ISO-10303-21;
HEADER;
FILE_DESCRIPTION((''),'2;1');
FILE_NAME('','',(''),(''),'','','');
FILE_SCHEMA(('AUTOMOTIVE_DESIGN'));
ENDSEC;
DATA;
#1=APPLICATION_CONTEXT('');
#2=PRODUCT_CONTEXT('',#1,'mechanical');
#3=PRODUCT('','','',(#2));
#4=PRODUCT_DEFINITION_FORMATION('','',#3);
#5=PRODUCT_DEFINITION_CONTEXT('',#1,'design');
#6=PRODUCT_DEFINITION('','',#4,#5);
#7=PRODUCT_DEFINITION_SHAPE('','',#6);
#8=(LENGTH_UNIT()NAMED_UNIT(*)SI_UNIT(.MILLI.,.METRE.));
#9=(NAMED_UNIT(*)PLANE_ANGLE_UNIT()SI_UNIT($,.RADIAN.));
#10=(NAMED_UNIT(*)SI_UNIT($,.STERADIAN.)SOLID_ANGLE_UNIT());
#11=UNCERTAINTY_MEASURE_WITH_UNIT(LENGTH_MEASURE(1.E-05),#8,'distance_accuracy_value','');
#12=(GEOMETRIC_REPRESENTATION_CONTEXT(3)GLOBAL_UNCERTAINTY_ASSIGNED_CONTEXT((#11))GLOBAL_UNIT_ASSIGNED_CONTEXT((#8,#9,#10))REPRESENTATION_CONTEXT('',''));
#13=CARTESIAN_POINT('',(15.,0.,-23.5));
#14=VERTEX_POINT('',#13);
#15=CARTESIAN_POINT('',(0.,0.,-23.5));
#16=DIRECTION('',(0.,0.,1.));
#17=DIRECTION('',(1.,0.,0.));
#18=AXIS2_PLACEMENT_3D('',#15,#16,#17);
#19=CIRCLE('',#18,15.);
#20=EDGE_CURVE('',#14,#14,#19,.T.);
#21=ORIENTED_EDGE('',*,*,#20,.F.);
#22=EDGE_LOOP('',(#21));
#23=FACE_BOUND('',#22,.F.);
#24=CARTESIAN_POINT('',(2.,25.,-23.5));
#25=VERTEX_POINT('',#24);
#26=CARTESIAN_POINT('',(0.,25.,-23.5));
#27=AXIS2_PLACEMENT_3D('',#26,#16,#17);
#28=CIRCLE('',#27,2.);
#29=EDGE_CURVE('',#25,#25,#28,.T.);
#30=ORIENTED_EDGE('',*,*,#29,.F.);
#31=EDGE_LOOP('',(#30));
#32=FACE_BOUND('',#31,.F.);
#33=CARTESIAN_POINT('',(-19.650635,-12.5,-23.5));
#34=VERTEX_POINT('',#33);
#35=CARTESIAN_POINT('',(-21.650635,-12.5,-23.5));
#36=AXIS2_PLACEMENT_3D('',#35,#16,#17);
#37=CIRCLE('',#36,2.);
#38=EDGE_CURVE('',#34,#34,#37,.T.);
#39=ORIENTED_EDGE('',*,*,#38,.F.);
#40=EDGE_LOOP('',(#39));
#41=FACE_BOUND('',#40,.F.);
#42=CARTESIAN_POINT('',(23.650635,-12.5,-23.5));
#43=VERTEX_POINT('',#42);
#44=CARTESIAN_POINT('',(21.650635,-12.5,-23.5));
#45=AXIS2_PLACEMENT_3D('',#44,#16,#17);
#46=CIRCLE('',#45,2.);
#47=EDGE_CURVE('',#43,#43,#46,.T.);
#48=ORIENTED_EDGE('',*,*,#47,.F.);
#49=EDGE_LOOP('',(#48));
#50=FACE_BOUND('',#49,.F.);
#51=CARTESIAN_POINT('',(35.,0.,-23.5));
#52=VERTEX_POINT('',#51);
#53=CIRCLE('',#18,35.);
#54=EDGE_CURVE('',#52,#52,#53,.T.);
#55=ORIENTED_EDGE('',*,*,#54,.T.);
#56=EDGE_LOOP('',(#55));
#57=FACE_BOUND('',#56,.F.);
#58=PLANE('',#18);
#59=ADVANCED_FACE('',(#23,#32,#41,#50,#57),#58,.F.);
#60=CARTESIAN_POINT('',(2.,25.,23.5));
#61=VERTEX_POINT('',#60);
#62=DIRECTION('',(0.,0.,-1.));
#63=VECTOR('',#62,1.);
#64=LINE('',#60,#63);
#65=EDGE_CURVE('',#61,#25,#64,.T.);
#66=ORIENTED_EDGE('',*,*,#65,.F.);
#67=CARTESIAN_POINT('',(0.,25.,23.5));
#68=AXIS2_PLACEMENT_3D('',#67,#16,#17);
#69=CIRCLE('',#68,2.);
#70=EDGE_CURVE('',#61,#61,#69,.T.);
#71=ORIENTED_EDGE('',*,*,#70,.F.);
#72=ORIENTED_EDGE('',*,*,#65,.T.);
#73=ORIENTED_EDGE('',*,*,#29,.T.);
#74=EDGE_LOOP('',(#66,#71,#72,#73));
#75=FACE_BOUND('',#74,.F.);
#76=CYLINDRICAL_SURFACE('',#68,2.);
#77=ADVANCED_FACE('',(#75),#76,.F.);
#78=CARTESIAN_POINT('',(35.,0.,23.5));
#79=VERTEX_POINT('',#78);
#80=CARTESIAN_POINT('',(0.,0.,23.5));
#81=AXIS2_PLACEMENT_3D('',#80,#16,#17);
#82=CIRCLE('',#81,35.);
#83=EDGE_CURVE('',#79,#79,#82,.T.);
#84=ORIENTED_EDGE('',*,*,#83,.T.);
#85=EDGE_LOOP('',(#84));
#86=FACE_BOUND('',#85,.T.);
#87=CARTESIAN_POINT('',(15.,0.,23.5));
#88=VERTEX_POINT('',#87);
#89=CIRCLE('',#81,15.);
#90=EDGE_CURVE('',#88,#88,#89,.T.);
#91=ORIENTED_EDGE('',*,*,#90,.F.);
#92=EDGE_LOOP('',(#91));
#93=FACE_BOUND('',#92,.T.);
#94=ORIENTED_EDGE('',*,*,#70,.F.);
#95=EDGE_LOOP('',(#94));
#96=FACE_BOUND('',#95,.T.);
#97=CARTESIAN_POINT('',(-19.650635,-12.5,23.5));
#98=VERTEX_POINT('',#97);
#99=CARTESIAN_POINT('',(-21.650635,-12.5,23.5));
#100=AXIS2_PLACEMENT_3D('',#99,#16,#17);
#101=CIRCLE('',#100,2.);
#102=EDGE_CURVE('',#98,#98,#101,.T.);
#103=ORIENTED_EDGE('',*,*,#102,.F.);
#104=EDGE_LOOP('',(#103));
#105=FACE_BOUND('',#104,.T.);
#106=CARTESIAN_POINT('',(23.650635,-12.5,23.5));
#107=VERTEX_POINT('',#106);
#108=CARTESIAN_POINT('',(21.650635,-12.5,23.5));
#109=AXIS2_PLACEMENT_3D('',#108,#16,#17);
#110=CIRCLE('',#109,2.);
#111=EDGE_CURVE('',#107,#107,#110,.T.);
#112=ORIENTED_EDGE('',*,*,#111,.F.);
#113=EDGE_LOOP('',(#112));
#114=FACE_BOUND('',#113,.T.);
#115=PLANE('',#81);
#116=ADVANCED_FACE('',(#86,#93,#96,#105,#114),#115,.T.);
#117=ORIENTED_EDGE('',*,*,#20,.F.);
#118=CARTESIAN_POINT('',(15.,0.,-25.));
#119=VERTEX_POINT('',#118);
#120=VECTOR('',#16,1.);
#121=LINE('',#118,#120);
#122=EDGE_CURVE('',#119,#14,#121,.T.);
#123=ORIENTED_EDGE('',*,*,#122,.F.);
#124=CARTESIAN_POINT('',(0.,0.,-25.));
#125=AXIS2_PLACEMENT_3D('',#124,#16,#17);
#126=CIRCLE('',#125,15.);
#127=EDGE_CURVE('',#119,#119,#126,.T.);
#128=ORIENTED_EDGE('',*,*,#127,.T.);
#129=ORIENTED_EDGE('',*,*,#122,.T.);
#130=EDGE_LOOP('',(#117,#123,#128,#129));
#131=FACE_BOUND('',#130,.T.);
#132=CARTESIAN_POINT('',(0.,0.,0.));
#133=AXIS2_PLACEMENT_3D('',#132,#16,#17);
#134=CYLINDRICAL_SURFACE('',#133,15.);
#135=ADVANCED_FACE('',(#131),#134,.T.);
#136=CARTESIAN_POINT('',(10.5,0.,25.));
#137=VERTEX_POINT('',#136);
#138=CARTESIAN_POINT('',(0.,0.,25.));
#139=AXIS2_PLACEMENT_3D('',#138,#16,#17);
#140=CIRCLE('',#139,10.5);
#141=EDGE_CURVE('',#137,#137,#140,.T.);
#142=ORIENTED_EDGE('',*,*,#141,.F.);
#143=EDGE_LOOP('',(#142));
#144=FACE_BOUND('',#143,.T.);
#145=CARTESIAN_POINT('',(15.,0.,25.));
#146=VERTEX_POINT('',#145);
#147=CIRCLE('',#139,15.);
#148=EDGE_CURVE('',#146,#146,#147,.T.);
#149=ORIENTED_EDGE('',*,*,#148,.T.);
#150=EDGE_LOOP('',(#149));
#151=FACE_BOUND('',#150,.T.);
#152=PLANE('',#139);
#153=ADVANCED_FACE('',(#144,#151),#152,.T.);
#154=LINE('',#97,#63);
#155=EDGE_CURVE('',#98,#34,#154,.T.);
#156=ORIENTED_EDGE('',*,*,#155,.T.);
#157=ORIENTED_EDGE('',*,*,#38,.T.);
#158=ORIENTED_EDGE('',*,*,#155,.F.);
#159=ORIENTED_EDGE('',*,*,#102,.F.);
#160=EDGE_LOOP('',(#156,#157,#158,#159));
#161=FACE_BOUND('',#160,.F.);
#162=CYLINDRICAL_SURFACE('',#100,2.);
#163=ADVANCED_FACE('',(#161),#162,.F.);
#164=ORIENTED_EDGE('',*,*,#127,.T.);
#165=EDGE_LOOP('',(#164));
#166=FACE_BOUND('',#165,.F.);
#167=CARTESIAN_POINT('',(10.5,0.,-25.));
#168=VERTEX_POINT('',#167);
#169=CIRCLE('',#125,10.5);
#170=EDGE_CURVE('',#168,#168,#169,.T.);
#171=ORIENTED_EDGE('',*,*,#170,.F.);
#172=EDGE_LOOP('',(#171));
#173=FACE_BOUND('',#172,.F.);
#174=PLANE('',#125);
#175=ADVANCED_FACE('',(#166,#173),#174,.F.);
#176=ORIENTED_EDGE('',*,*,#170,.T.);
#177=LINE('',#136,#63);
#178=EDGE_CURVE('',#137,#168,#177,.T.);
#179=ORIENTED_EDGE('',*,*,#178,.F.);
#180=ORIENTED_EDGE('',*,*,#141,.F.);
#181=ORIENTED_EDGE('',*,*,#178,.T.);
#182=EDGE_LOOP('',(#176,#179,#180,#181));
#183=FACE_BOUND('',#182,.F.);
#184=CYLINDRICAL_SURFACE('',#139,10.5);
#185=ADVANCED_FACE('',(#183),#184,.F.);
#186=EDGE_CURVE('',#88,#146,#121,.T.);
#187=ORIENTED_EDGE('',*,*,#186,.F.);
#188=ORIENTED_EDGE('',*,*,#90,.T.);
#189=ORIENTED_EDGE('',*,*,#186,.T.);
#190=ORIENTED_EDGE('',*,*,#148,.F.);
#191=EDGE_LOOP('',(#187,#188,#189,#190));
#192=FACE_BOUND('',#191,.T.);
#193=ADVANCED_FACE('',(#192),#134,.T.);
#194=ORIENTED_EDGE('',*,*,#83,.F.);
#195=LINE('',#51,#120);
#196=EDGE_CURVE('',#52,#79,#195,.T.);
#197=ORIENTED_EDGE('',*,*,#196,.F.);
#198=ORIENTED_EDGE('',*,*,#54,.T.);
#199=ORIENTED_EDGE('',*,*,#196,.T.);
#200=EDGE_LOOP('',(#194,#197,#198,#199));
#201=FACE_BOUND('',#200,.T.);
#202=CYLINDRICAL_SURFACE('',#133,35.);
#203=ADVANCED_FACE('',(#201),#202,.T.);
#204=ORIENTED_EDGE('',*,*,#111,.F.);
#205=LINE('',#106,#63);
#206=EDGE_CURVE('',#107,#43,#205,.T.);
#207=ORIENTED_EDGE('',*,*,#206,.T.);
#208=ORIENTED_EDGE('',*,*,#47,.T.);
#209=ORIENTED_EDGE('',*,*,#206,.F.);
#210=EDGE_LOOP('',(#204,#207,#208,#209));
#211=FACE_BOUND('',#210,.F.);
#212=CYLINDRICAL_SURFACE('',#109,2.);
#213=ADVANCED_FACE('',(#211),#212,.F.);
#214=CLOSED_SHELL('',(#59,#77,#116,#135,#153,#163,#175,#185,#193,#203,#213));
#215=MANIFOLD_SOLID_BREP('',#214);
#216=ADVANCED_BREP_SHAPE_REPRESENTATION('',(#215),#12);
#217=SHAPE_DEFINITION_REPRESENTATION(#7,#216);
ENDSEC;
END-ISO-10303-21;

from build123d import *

# Parameters (mm, degrees)
SKETCH1_R           = 35
BOSS_EXTRUDE1_DEPTH = 23.5
SKETCH2_R           = 15
BOSS_EXTRUDE2_DEPTH = 25
CUT_EXTRUDE1_REACH  = 72.356
SKETCH3_R           = 10.5
CUT_EXTRUDE2_REACH  = 71.298
SKETCH4_R           = 2


with BuildPart() as part:
    # Sketch1 → Boss-Extrude1 (new, symmetric)
    with BuildSketch(Plane.XY):
        Circle(SKETCH1_R)
    extrude(amount=BOSS_EXTRUDE1_DEPTH, both=True)

    # Sketch2 → Boss-Extrude2 (add, symmetric)
    with BuildSketch(Plane.XY):
        Circle(SKETCH2_R)
    extrude(amount=BOSS_EXTRUDE2_DEPTH, both=True)

    # Sketch3 → Cut-Extrude1 (cut, up to next)
    with BuildSketch(Plane.XY.offset(25), mode=Mode.PRIVATE) as cut_extrude1_sk1:
        Circle(SKETCH3_R)
    cut_extrude1_tool1 = extrude(cut_extrude1_sk1.sketch, amount=-CUT_EXTRUDE1_REACH, mode=Mode.PRIVATE) & part.part
    add(cut_extrude1_tool1.solids().sort_by_distance((0, 0, 25))[0], mode=Mode.SUBTRACT)

    # Sketch4 → Cut-Extrude2 (cut, up to next)
    with BuildSketch(Plane.XY.offset(23.5), mode=Mode.PRIVATE) as cut_extrude2_sk1:
        with Locations((0, 25)):
            Circle(SKETCH4_R)
    cut_extrude2_tool1 = extrude(cut_extrude2_sk1.sketch, amount=-CUT_EXTRUDE2_REACH, mode=Mode.PRIVATE) & part.part
    # Sketch4 → Cut-Extrude2 (cut, up to next)
    with BuildSketch(Plane.XY.offset(23.5), mode=Mode.PRIVATE) as cut_extrude2_sk2:
        with Locations((21.650635095, -12.5)):
            Circle(SKETCH4_R)
    cut_extrude2_tool2 = extrude(cut_extrude2_sk2.sketch, amount=-CUT_EXTRUDE2_REACH, mode=Mode.PRIVATE) & part.part
    # Sketch4 → Cut-Extrude2 (cut, up to next)
    with BuildSketch(Plane.XY.offset(23.5), mode=Mode.PRIVATE) as cut_extrude2_sk3:
        with Locations((-21.650635095, -12.5)):
            Circle(SKETCH4_R)
    cut_extrude2_tool3 = extrude(cut_extrude2_sk3.sketch, amount=-CUT_EXTRUDE2_REACH, mode=Mode.PRIVATE) & part.part
    add(cut_extrude2_tool1.solids().sort_by_distance((0, 25, 23.5))[0], mode=Mode.SUBTRACT)
    add(cut_extrude2_tool2.solids().sort_by_distance((21.650635, -12.5, 23.5))[0], mode=Mode.SUBTRACT)
    add(cut_extrude2_tool3.solids().sort_by_distance((-21.650635, -12.5, 23.5))[0], mode=Mode.SUBTRACT)


solid = part.part
